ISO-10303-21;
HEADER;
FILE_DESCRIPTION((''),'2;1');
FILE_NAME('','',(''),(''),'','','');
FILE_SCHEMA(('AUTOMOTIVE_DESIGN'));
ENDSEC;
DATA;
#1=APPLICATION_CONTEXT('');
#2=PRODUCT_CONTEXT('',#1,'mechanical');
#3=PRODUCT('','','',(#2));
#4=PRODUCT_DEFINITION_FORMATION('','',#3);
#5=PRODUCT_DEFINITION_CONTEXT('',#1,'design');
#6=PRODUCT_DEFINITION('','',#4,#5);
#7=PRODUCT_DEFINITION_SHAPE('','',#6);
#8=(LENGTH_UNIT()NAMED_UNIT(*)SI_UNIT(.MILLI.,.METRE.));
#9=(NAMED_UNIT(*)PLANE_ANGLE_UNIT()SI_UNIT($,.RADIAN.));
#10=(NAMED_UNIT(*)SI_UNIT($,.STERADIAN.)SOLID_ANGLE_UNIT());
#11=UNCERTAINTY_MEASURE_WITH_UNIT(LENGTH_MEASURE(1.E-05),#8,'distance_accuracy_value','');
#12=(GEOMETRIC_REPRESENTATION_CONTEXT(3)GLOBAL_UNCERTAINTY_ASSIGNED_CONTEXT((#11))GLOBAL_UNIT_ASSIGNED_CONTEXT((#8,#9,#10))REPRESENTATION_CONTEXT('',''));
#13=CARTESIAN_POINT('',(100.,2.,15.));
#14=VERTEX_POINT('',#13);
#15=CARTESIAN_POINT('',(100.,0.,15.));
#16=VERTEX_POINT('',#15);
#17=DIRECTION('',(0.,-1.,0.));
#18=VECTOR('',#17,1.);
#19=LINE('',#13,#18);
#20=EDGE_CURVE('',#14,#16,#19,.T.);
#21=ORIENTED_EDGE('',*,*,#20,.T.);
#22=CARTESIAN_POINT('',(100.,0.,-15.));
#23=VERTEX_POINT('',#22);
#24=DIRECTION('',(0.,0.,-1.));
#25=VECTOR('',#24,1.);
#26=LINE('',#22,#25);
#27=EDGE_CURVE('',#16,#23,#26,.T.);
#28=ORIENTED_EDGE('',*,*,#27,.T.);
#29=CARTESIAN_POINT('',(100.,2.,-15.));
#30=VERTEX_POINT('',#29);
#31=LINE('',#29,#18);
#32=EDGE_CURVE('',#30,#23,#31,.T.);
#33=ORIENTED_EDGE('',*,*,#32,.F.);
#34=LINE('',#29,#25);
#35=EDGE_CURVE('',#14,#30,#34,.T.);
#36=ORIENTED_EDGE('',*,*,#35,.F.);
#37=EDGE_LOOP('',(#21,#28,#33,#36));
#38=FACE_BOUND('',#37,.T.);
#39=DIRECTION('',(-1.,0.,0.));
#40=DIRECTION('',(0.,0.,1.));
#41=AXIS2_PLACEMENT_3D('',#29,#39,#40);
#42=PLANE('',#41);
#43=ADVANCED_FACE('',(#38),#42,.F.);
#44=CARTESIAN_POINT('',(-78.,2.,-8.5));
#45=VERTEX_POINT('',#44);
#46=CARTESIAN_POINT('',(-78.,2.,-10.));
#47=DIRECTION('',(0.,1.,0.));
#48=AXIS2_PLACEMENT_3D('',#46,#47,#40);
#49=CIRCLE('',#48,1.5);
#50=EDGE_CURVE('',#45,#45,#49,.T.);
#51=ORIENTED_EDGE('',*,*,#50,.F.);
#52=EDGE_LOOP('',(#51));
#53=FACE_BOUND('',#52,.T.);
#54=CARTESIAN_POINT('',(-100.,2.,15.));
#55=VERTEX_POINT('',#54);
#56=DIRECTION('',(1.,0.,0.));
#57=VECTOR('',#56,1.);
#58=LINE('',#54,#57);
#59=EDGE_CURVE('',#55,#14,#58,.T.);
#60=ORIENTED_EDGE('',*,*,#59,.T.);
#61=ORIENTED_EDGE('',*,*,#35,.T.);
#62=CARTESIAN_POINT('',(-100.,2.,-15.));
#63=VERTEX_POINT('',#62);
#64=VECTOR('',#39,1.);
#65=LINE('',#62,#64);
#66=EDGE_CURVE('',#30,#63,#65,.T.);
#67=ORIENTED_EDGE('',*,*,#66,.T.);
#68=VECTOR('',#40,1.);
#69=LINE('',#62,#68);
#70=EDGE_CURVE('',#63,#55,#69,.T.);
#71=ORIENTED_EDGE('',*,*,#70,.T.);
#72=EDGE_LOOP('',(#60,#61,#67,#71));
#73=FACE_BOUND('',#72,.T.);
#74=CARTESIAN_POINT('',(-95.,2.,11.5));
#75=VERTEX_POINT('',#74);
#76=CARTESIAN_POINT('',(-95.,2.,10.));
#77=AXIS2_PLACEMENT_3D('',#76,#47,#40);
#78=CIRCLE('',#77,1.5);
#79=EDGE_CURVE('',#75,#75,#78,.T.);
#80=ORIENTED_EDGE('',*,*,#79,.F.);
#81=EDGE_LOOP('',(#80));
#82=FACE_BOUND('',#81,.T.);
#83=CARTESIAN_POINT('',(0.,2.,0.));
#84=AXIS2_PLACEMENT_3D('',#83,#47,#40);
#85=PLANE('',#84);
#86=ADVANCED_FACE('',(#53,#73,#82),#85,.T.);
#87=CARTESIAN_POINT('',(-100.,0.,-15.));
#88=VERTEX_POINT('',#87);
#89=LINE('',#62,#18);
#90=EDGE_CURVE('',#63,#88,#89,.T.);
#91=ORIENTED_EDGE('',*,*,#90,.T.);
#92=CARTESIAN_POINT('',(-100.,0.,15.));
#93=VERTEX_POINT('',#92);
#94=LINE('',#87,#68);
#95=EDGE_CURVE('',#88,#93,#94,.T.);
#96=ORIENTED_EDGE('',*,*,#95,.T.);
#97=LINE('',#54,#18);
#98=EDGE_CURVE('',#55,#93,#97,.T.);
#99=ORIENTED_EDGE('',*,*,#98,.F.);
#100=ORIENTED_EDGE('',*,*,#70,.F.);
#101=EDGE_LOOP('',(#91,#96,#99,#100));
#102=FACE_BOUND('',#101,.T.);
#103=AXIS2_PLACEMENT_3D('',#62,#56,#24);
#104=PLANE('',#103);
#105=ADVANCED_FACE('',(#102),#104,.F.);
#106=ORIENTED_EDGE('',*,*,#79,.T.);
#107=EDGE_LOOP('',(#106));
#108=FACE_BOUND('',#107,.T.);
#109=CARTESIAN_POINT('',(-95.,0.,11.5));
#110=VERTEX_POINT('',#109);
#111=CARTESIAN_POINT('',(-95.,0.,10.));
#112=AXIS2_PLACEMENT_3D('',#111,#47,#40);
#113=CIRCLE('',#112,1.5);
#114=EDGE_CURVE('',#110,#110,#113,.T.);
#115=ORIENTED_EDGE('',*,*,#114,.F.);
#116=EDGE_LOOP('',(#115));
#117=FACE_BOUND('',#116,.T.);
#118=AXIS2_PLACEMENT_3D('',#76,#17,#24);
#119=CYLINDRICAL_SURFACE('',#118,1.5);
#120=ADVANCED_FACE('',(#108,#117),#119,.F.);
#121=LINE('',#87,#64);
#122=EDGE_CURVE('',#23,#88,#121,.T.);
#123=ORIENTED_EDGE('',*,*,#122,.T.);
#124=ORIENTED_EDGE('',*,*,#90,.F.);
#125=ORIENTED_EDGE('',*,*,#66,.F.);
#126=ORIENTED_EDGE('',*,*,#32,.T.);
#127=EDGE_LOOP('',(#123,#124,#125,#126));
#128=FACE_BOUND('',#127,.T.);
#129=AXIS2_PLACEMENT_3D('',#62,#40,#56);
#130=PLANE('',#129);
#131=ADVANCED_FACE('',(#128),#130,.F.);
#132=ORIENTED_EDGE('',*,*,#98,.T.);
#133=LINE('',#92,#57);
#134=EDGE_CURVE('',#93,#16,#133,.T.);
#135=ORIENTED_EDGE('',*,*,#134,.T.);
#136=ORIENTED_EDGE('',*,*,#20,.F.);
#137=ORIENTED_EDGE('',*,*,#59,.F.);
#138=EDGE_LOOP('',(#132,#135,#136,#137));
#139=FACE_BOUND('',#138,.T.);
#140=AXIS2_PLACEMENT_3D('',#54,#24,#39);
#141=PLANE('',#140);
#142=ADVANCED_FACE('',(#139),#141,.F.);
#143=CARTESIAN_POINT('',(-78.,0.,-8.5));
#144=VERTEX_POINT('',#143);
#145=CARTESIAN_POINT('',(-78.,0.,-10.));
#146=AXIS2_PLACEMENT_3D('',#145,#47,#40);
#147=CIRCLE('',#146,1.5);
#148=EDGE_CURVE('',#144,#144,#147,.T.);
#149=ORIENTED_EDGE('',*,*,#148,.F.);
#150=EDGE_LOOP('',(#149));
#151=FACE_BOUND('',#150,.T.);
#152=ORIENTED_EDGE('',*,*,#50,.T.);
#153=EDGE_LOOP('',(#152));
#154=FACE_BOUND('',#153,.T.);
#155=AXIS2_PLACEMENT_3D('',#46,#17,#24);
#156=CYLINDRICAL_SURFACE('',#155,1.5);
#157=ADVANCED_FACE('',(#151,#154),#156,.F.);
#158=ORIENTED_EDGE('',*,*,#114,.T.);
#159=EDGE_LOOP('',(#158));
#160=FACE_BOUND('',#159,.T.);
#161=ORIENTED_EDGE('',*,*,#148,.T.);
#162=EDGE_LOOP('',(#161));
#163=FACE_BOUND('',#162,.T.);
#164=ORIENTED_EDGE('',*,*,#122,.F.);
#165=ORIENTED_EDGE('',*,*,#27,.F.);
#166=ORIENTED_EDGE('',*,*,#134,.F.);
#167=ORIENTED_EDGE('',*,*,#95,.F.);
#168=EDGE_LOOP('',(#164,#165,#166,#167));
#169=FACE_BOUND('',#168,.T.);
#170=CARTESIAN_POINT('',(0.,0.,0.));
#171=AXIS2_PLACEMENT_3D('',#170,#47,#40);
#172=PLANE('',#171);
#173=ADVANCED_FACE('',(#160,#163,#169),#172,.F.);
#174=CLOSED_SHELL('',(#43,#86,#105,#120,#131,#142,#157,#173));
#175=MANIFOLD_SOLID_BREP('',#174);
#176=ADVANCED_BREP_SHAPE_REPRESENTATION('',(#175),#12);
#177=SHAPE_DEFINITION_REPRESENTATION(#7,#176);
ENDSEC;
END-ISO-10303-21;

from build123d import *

# Parameters (mm, degrees)
SKETCH1_W           = 200
SKETCH1_H           = 30
SKETCH1_R           = 1.5
BOSS_EXTRUDE1_DEPTH = 2


with BuildPart() as part:
    # Sketch1 → Boss-Extrude1 (new body)
    with BuildSketch(Plane(origin=(0, 0, 0), x_dir=(1, 0, 0), z_dir=(0, 1, 0))):
        Rectangle(SKETCH1_W, SKETCH1_H)
        with Locations(Location((-95, -10, 0), (0, 0, 270))):
            Circle(SKETCH1_R, mode=Mode.SUBTRACT)
        with Locations(Location((-78, 10, 0), (0, 0, 270))):
            Circle(SKETCH1_R, mode=Mode.SUBTRACT)
    extrude(amount=BOSS_EXTRUDE1_DEPTH)


solid = part.part
